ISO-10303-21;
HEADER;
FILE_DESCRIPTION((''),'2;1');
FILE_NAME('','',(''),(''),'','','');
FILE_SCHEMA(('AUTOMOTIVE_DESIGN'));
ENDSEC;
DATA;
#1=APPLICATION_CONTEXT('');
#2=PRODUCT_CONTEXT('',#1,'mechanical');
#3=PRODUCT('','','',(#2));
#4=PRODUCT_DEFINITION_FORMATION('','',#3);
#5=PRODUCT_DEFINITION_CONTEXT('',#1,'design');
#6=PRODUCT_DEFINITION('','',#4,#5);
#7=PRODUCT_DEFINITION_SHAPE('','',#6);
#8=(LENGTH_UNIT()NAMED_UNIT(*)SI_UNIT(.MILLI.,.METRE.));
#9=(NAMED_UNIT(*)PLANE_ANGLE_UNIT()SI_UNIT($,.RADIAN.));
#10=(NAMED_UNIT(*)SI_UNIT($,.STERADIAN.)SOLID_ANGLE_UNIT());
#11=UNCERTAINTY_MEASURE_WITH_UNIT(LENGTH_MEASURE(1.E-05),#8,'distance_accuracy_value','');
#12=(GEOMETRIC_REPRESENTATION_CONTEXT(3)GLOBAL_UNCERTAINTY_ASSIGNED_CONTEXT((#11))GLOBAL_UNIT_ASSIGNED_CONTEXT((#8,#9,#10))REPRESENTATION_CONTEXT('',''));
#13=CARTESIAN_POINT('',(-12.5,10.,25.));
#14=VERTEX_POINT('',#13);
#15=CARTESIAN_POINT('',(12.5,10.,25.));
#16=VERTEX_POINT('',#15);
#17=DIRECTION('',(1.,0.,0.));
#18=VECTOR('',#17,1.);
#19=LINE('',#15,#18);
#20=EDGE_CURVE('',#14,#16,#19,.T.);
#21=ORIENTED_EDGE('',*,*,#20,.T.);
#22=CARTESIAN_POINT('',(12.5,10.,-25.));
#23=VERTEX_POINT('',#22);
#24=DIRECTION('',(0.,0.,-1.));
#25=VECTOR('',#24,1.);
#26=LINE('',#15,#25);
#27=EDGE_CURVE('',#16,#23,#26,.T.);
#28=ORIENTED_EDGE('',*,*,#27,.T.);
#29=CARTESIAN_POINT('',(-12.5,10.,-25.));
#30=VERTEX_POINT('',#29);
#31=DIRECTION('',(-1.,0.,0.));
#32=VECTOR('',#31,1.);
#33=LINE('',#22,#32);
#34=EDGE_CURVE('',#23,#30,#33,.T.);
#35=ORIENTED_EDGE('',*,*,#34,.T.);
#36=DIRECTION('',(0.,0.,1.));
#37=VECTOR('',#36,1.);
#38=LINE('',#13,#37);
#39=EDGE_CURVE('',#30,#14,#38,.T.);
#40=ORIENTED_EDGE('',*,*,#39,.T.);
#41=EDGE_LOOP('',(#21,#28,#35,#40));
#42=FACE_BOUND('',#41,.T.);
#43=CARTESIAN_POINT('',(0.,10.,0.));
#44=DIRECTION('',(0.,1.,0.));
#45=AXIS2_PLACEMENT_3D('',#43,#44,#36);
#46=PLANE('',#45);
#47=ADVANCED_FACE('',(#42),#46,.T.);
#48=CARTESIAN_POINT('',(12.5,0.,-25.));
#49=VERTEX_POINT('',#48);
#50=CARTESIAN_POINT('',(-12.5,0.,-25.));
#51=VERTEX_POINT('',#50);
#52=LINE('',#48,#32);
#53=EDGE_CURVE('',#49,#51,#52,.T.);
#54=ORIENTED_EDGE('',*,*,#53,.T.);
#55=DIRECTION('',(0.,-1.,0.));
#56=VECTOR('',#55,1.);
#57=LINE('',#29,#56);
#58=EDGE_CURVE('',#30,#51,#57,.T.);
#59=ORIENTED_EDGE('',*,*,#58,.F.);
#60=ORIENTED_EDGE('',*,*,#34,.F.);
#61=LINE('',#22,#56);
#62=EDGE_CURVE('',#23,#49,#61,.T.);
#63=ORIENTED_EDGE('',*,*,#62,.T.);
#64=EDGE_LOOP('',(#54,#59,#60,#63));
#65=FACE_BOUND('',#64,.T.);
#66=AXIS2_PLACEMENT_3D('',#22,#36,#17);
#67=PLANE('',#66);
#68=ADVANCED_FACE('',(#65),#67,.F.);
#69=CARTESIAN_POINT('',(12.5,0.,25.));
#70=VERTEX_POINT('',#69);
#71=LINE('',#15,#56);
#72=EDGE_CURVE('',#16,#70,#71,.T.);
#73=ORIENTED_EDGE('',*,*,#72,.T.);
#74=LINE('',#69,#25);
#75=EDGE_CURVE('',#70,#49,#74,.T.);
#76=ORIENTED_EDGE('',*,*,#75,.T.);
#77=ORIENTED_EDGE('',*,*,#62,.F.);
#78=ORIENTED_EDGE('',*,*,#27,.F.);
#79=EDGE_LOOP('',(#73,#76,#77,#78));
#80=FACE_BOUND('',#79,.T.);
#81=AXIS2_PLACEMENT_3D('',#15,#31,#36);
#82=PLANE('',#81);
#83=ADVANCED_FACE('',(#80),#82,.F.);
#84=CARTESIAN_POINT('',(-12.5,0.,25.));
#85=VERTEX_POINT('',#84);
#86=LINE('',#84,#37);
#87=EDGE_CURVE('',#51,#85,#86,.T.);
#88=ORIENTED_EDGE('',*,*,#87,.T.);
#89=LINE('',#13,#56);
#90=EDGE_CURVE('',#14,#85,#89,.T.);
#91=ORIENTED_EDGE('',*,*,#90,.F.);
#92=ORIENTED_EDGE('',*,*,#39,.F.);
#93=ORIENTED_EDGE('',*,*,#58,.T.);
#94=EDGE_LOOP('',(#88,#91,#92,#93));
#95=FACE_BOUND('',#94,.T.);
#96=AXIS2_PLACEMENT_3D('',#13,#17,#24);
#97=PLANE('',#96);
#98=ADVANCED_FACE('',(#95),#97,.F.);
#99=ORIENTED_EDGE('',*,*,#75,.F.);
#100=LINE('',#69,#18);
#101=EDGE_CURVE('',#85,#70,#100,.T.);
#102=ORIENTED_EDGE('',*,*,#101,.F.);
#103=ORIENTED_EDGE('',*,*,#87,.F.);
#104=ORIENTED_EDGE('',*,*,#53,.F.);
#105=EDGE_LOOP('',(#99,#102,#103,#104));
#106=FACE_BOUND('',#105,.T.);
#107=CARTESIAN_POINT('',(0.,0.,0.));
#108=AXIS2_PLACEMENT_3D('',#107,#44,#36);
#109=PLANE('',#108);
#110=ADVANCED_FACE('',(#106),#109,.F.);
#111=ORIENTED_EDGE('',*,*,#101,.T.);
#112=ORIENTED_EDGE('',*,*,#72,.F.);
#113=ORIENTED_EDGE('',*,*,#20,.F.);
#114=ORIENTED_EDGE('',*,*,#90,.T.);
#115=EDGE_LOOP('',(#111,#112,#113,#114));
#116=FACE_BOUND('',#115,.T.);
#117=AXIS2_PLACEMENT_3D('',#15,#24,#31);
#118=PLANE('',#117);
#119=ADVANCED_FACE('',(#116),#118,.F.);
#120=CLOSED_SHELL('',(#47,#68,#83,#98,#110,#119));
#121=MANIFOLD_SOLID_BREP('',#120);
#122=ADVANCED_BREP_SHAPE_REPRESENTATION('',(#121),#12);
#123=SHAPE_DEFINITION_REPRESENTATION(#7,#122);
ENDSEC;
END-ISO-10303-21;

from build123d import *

# Parameters (mm, degrees)
SKETCH_1_W      = 25
SKETCH_1_H      = 50
EXTRUDE_1_DEPTH = 10


with BuildPart() as part:
    # 草图1 → 凸台-拉伸1 (new body)
    with BuildSketch(Plane(origin=(0, 0, 0), x_dir=(1, 0, 0), z_dir=(0, 1, 0))):
        Rectangle(SKETCH_1_W, SKETCH_1_H)
    extrude(amount=EXTRUDE_1_DEPTH)


solid = part.part
